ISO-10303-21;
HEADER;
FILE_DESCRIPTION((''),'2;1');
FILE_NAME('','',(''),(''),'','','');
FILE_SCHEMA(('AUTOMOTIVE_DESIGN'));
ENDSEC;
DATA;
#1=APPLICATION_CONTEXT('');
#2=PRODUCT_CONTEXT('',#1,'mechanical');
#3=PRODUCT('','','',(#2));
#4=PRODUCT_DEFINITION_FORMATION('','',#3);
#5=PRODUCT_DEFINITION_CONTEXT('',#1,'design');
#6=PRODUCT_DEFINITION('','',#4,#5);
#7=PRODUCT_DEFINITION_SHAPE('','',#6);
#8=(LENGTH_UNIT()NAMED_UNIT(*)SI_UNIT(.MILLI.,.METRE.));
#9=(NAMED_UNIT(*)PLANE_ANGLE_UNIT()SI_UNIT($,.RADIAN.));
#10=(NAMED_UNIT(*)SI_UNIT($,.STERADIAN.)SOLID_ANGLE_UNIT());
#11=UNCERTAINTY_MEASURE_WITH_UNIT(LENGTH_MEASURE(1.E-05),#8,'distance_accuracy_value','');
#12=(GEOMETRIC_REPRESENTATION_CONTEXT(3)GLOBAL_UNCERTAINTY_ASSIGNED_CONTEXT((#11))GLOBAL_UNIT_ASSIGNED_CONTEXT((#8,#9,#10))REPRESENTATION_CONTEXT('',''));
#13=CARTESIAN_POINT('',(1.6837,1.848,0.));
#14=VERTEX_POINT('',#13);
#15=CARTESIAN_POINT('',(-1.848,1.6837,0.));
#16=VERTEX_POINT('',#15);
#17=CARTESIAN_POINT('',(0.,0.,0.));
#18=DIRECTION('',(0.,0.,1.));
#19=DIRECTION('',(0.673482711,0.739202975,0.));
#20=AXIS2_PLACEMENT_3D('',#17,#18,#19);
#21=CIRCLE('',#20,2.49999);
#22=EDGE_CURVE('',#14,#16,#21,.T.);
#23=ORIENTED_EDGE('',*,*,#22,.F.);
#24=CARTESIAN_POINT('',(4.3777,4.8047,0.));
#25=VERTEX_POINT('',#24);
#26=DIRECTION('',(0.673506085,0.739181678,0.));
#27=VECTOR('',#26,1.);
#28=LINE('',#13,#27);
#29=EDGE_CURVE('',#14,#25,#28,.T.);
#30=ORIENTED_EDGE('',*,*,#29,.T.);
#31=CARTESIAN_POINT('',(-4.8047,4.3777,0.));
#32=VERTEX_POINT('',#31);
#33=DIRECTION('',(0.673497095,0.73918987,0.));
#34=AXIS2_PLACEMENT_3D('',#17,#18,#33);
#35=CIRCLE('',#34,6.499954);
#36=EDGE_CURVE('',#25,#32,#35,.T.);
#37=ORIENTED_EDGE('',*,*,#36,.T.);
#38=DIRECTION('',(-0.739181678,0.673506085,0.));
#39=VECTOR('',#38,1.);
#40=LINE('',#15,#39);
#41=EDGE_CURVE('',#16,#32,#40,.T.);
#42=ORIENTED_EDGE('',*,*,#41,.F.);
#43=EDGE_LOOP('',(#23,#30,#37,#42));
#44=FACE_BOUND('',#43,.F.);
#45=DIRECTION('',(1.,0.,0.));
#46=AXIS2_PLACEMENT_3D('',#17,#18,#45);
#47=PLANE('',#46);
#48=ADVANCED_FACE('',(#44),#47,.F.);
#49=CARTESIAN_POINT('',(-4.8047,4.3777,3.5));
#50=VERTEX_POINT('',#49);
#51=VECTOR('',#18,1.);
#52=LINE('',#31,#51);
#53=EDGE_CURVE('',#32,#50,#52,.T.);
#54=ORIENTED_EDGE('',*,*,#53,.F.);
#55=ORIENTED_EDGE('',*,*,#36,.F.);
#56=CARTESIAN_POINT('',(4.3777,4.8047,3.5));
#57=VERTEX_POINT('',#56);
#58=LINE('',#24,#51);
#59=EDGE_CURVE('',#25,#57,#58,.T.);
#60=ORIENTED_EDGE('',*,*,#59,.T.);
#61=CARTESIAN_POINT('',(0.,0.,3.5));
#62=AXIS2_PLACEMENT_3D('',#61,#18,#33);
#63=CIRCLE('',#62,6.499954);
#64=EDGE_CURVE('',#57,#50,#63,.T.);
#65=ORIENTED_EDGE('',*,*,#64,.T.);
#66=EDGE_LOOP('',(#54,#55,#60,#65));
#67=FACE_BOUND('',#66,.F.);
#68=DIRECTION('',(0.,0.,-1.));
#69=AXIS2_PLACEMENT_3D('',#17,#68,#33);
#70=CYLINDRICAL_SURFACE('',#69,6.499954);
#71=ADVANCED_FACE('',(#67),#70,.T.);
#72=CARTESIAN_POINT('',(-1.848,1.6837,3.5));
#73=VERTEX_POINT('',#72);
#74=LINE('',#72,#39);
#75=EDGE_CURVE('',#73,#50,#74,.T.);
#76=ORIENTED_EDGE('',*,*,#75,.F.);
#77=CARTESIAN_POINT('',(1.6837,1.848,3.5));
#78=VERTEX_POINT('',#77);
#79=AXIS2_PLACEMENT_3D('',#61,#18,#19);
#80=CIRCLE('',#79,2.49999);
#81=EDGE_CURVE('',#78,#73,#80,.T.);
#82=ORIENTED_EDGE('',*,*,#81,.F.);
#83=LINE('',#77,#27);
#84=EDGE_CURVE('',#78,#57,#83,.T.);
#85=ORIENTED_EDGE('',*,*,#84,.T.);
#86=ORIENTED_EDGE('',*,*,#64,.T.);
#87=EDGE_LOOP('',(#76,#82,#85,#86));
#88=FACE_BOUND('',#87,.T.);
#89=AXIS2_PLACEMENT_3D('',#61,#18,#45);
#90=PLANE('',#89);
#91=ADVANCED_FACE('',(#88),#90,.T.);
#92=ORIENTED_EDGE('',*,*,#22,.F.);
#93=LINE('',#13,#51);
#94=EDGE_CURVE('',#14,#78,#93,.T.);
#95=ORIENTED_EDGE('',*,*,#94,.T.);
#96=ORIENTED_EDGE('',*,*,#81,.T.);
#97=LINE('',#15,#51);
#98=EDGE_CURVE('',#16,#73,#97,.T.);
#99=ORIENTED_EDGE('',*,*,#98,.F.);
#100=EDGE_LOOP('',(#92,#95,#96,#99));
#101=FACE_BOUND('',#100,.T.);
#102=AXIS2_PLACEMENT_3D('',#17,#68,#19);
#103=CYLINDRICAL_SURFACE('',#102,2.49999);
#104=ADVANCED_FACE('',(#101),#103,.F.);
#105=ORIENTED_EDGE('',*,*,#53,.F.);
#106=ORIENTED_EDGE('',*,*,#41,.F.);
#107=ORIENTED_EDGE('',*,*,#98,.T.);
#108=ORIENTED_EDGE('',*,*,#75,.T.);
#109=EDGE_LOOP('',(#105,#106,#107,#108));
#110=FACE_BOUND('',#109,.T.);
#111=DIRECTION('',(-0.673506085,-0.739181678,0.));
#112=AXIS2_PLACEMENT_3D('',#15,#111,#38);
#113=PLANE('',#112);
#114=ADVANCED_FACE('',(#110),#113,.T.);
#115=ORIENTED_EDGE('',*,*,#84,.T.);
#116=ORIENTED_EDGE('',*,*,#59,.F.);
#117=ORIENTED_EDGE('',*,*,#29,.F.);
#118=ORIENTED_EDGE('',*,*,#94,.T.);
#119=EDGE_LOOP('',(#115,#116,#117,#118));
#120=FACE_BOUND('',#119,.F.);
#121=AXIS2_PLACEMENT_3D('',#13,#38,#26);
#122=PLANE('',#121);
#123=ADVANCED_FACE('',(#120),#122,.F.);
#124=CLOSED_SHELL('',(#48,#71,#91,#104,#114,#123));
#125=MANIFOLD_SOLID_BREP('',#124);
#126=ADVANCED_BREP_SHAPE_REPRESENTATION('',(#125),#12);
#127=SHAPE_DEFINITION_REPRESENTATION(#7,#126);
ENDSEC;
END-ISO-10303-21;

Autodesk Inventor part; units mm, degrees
ref_plane "YZ Plane" through (0, 0, 0) normal (1, 0, 0) x (0, 1, 0)
ref_plane "XZ Plane" through (0, 0, 0) normal (0, 1, 0) x (-1, 0, 0)
ref_plane "XY Plane" through (0, 0, 0) normal (0, 0, 1) x (1, 0, 0)
sketch "Sketch1" plane through (0, 0, 0) normal (0, 0, 1) x (1, 0, 0)
  arc A0 (1.6837, 1.848) -> (-1.848, 1.6837) centre (0, 0) ccw
  line L0 (0, 0) -> (-1.848, 1.6837) construction
  arc A1 (4.3777, 4.8047) -> (-4.8047, 4.3777) centre (0, 0) ccw
  line L1 (0, 0) -> (1.6837, 1.848) construction
  arc A2 (-1.848, 1.6837) -> (1.6837, 1.848) centre (0, 0) ccw construction
  line L2 (1.6837, 1.848) -> (4.3777, 4.8047)
  line L3 (-1.848, 1.6837) -> (-4.8047, 4.3777)
  dimension "d0" = 5
  dimension "d2" = 6.5
extrude "Extrusion1" add sketch "Sketch1" along normal blind 3.5
properties part number "encoder_pole"
